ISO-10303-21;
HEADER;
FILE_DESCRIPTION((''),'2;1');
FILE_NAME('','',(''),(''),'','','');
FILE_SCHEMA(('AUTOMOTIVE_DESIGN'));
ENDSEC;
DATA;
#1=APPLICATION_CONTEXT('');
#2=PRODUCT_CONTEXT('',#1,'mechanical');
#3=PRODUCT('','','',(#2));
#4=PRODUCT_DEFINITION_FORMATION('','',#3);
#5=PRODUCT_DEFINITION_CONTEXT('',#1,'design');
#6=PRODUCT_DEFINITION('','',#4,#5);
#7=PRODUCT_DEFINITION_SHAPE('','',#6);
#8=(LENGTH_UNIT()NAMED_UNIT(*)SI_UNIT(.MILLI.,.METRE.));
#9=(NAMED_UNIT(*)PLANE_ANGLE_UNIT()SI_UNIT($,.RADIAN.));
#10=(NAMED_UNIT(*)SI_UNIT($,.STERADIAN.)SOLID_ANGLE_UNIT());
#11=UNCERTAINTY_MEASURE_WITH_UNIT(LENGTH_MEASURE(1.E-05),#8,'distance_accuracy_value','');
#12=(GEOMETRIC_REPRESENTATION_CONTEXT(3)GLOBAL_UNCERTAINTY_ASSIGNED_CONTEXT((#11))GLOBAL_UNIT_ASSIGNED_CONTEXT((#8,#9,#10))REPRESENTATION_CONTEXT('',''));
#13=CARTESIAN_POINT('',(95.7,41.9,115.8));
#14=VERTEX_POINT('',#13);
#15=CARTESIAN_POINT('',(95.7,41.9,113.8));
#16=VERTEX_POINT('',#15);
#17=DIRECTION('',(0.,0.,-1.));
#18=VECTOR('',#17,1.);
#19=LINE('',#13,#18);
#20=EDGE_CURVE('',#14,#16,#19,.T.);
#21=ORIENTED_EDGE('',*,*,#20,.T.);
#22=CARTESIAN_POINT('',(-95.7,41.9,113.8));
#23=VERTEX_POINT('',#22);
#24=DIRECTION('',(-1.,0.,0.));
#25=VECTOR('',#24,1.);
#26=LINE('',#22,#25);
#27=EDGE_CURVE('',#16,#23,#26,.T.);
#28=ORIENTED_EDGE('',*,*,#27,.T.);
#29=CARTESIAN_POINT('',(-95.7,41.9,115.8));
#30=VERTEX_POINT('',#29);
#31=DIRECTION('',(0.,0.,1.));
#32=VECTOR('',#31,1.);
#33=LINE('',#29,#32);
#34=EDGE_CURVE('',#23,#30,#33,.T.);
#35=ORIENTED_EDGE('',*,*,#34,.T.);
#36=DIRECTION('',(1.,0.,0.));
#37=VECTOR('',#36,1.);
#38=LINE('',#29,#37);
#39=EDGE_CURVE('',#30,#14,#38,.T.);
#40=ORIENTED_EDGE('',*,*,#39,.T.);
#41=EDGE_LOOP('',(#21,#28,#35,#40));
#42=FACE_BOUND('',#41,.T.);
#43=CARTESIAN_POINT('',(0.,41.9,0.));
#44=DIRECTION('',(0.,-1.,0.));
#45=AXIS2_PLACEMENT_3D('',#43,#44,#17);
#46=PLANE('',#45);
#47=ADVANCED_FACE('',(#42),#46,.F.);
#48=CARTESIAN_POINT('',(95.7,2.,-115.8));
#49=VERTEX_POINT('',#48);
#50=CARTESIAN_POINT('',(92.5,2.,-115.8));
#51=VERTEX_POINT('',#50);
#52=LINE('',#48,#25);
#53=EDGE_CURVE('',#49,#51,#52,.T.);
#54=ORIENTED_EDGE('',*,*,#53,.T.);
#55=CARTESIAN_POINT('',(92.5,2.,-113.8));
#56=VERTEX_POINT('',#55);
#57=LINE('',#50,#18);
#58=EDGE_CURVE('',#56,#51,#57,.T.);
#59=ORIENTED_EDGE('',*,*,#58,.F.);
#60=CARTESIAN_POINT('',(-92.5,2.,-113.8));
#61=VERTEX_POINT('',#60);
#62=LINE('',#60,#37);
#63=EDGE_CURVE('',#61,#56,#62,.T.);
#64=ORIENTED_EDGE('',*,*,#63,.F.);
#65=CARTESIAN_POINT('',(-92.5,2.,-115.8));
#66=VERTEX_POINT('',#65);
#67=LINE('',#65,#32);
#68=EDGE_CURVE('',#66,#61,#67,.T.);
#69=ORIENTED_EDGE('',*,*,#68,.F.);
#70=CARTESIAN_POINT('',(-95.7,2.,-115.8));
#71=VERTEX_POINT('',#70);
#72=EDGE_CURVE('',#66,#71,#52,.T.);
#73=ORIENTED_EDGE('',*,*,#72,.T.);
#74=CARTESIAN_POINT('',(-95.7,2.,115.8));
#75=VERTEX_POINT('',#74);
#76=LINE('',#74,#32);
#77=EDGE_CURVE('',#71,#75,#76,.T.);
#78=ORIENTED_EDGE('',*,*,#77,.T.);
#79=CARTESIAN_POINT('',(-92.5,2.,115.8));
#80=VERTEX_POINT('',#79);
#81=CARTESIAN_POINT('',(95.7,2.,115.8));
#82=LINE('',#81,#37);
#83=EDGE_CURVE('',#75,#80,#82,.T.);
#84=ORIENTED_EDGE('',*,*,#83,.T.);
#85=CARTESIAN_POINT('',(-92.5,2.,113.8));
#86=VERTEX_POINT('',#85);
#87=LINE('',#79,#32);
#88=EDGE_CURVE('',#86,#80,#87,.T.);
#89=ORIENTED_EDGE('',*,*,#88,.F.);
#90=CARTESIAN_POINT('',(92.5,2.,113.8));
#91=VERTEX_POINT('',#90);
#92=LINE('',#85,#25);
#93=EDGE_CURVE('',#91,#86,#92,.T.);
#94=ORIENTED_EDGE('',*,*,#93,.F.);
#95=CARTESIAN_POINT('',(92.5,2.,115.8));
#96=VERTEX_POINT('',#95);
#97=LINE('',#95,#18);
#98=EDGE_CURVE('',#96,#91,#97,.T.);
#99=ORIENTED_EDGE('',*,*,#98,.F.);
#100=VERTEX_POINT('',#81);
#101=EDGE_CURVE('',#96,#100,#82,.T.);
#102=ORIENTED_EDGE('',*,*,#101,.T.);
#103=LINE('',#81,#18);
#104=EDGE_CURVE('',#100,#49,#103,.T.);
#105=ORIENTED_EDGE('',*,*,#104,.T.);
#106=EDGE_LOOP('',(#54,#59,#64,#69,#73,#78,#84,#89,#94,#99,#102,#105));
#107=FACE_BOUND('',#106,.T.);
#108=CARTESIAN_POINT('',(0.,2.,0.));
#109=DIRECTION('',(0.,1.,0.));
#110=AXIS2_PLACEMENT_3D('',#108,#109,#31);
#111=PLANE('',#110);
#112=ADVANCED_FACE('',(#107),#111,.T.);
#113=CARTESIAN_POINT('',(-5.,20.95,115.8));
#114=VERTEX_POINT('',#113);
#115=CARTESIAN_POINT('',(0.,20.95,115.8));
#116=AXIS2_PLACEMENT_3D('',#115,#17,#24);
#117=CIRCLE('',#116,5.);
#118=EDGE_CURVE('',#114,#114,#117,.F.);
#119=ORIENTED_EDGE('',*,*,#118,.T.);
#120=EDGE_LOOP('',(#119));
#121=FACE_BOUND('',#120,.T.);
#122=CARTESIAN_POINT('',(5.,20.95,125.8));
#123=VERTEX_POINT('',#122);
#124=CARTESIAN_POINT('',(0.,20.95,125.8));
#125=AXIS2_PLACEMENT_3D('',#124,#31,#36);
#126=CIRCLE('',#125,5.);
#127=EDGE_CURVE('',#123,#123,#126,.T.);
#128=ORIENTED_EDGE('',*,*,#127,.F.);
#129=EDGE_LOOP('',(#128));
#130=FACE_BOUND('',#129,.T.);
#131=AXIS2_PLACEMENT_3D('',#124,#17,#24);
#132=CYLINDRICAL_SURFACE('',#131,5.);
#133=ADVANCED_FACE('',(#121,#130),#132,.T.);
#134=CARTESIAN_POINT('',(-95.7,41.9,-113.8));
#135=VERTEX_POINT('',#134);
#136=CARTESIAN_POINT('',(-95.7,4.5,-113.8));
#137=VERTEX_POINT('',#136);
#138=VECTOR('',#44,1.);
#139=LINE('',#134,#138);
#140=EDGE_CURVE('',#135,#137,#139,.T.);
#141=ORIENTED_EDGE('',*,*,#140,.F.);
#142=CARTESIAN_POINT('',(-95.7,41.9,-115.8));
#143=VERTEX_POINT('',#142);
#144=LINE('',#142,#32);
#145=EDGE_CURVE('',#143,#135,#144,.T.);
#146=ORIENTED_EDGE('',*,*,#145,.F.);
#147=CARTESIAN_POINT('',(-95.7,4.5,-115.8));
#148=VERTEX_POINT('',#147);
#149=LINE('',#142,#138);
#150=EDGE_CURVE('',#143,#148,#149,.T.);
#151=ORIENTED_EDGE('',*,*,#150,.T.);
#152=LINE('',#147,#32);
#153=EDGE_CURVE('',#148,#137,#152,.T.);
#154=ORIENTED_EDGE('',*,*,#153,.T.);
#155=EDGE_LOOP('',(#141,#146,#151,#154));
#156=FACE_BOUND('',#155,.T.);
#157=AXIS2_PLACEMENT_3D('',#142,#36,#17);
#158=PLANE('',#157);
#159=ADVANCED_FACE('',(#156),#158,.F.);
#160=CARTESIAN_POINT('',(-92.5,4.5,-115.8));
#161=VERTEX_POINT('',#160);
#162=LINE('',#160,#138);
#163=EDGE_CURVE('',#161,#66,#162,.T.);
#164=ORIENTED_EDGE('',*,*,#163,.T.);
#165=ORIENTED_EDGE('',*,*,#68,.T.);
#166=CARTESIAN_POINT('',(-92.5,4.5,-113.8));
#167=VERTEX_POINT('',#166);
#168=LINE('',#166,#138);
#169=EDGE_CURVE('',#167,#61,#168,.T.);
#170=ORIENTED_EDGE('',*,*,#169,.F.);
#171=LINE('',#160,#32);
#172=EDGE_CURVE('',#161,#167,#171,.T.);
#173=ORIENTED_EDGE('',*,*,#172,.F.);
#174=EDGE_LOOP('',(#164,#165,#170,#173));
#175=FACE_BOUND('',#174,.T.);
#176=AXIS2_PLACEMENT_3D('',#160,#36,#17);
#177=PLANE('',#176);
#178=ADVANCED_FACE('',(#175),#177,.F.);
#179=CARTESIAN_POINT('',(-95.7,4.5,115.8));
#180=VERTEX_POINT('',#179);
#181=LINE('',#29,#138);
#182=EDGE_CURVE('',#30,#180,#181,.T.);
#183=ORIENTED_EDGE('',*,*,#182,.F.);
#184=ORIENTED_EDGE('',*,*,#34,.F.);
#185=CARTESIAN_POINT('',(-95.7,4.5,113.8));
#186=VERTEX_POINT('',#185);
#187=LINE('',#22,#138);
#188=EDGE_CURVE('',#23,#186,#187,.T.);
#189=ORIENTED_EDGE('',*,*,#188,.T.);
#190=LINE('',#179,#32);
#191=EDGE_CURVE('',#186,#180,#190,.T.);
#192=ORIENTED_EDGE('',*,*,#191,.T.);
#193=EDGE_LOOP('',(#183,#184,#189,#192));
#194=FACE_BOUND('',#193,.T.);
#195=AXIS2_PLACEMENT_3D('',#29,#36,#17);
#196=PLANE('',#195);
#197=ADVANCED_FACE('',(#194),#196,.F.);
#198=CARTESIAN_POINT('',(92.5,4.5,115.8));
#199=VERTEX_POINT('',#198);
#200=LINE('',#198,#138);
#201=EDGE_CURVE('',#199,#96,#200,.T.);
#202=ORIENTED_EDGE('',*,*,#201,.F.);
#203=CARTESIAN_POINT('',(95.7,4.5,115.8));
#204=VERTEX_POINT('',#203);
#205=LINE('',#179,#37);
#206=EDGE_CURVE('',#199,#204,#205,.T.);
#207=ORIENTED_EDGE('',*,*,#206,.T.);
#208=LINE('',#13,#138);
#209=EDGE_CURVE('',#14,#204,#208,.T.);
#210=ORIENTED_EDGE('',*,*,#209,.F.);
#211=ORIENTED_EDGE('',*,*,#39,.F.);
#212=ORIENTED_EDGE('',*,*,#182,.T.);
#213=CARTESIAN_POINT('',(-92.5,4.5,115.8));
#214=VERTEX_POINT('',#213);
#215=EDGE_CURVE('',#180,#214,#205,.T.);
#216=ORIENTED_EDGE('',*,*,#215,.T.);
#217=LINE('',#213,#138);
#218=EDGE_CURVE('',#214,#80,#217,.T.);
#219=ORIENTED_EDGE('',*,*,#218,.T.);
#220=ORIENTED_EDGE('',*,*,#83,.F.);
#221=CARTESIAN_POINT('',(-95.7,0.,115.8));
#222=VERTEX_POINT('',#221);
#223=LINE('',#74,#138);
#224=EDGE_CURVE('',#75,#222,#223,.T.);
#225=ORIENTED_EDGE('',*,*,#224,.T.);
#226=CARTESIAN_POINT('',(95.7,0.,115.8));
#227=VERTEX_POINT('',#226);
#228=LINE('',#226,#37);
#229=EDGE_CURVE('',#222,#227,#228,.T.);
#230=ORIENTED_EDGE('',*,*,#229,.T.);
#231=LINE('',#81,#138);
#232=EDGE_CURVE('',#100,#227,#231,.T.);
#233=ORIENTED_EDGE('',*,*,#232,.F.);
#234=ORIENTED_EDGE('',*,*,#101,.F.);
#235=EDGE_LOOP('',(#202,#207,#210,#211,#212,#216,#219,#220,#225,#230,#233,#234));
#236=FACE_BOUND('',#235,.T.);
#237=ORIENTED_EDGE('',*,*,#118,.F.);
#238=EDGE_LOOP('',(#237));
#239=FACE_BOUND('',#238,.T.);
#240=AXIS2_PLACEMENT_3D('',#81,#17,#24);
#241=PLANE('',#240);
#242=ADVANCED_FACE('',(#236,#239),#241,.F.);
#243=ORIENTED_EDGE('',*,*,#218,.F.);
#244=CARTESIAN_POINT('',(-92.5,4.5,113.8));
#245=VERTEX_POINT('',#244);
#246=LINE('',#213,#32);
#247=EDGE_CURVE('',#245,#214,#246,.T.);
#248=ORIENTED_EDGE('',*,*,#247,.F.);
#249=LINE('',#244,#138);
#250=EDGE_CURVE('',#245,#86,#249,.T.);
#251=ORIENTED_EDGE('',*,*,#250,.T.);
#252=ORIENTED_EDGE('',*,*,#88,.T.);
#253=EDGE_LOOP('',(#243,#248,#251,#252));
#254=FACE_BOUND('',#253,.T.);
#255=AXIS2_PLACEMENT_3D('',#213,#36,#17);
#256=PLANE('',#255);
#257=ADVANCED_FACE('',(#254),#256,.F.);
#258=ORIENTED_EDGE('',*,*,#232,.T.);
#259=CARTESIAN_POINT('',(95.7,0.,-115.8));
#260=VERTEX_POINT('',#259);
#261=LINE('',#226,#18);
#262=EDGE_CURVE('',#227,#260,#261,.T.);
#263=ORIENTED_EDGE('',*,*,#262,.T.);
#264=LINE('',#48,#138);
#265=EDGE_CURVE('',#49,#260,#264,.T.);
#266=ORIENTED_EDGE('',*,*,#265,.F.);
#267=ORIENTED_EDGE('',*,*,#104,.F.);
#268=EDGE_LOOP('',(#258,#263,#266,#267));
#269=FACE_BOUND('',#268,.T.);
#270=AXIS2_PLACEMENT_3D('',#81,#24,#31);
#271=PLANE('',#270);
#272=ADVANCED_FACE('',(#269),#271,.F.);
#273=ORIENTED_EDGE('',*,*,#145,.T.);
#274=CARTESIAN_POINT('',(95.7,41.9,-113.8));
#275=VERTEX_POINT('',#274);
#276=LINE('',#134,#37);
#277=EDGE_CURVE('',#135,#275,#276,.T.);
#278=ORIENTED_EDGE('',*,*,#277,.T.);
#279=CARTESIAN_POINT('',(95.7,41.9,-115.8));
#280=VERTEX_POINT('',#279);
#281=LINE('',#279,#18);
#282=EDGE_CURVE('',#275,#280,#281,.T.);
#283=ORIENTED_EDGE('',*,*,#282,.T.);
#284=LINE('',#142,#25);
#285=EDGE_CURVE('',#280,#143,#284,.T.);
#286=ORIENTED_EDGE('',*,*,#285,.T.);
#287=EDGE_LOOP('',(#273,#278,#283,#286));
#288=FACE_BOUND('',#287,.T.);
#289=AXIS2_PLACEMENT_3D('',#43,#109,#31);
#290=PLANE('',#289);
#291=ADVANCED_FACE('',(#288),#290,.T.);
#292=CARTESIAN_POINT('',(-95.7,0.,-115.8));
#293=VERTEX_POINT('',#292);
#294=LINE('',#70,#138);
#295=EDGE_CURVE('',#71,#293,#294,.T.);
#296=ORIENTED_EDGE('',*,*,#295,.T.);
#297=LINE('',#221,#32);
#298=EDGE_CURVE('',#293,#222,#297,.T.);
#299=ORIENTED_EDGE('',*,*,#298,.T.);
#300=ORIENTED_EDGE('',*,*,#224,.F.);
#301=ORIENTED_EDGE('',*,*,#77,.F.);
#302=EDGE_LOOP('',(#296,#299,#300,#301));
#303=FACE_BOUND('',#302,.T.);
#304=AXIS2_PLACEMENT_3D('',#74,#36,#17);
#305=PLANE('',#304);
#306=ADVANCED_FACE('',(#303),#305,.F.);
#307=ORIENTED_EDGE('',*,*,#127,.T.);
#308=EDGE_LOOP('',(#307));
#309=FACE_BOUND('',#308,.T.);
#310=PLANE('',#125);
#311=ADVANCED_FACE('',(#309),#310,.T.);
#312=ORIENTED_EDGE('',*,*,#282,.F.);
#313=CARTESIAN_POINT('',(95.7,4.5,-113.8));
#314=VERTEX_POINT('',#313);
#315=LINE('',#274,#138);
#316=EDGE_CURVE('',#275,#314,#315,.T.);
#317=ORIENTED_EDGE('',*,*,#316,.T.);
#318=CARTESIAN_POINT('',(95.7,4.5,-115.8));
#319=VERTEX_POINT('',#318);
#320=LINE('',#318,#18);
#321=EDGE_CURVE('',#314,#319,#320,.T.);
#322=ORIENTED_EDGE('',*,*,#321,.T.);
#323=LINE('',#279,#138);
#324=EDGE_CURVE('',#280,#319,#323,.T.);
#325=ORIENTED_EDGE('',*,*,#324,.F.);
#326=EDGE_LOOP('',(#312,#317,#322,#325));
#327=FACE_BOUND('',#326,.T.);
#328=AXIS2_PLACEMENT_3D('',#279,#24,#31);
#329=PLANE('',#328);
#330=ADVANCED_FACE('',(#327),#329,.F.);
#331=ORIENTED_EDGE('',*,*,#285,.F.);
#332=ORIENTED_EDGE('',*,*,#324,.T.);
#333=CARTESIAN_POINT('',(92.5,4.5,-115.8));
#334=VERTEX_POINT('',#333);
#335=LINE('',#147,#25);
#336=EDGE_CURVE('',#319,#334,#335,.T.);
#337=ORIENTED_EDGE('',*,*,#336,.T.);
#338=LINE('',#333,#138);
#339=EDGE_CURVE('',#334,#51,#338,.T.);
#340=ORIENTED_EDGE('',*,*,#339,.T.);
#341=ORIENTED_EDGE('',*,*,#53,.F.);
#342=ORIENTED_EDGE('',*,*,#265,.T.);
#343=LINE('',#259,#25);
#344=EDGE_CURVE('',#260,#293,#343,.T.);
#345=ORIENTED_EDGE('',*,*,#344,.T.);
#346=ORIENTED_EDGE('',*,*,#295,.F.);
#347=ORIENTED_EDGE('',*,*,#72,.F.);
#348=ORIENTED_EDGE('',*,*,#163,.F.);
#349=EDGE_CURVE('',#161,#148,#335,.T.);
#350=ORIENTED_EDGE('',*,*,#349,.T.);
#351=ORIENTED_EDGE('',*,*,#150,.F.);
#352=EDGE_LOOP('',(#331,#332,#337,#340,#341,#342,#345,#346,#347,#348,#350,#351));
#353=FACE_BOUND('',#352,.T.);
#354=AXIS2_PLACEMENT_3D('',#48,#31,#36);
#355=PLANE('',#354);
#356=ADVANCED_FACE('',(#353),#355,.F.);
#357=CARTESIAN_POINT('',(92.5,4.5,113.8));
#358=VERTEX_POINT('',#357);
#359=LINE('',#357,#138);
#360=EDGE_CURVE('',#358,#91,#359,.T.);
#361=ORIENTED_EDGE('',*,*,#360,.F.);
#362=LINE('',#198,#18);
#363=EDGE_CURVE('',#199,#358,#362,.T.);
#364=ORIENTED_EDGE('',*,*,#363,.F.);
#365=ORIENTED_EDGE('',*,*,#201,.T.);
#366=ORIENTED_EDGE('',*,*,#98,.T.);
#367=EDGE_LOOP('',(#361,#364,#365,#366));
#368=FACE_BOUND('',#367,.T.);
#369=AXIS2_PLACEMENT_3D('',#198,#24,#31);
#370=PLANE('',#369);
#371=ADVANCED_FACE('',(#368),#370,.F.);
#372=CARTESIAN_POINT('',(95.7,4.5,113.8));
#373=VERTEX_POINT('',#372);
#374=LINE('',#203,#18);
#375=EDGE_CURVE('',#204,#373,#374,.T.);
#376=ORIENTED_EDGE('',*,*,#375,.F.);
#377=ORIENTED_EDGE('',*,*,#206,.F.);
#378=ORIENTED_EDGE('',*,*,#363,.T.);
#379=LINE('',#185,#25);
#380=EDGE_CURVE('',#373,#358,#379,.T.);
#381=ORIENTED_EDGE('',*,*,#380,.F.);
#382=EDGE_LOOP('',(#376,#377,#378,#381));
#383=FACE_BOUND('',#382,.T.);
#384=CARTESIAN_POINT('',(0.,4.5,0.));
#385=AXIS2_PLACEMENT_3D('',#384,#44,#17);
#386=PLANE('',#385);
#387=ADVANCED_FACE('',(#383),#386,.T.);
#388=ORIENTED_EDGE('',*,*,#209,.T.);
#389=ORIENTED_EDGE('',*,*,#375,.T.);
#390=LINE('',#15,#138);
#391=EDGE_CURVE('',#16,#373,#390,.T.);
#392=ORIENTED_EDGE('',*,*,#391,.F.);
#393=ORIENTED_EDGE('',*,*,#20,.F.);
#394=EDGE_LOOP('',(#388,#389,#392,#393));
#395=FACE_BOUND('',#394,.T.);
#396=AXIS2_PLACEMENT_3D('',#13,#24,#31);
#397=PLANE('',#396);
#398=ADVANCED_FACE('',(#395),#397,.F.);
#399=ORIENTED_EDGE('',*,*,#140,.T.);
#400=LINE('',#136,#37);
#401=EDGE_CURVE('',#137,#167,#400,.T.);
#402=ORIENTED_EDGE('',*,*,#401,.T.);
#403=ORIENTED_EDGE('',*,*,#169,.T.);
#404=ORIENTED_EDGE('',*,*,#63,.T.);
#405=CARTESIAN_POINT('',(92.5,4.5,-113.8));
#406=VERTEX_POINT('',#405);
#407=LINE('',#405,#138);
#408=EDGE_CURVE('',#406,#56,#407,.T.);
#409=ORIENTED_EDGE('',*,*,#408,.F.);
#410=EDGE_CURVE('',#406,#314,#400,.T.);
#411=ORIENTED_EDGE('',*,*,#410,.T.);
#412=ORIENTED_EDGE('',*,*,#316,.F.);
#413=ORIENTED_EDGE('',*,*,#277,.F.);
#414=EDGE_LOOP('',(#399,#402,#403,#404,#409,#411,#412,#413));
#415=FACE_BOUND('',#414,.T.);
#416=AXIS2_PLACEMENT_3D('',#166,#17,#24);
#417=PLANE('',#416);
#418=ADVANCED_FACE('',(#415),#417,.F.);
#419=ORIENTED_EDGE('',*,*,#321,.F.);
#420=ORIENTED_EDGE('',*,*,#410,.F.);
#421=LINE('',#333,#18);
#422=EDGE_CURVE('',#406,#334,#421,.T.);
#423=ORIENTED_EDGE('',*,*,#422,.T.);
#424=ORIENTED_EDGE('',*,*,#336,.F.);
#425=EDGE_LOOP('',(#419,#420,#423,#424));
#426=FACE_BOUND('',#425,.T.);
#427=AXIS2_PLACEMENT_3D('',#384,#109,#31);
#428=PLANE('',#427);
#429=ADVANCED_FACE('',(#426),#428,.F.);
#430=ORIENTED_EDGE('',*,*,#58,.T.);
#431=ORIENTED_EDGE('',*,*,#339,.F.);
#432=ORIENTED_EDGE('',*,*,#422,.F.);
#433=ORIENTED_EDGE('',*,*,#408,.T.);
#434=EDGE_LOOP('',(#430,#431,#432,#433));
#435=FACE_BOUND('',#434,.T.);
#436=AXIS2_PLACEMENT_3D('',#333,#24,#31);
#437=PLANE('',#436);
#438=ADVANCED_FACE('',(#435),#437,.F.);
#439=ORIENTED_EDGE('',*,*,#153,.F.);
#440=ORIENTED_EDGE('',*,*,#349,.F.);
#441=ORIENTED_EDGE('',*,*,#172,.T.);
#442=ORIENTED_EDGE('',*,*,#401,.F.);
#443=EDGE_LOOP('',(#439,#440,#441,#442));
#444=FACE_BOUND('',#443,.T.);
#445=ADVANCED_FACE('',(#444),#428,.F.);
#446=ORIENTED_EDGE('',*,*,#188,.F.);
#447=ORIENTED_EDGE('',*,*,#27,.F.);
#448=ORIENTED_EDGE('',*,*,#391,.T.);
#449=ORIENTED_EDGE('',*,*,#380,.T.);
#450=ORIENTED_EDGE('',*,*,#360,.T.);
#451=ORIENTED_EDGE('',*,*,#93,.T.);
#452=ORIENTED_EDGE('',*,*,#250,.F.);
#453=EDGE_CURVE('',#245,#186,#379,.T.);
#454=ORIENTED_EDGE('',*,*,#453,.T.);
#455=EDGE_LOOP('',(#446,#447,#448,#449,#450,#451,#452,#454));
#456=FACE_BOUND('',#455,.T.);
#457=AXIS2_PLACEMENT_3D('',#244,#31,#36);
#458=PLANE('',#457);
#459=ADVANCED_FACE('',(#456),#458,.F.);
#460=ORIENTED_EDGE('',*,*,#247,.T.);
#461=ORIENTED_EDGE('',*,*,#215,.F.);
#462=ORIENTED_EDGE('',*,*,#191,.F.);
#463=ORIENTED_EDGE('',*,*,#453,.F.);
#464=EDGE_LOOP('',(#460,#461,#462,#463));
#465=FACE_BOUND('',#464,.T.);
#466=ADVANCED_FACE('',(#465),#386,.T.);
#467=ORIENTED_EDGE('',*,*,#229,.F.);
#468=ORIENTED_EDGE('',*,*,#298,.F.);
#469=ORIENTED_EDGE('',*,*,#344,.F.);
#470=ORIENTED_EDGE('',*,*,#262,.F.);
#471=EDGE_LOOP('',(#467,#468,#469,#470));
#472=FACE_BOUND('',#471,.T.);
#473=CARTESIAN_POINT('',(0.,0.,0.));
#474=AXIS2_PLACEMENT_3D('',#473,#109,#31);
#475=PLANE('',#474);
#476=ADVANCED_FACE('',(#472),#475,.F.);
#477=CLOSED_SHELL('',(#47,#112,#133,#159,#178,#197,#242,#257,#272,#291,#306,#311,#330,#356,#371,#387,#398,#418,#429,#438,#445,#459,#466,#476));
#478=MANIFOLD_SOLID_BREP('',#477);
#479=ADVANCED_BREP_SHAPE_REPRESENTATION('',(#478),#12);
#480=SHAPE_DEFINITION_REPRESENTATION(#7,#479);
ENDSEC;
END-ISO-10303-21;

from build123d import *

# Parameters (mm, degrees)
SKETCH_2_W      = 191.4
SKETCH_2_H      = 231.6
EXTRUDE_1_DEPTH = 2
SKETCH_3_W      = 185
SKETCH_3_H      = 2
EXTRUDE_2_DEPTH = 2.5
SKETCH_4_W      = 191.4
SKETCH_4_H      = 2
EXTRUDE_3_DEPTH = 37.4
SKETCH_7_R      = 5
EXTRUDE_5_DEPTH = 10


with BuildPart() as part:
    # 草图2 → 凸台-拉伸1 (new body)
    with BuildSketch(Plane(origin=(0, 0, 0), x_dir=(1, 0, 0), z_dir=(0, 1, 0))):
        Rectangle(SKETCH_2_W, SKETCH_2_H)
    extrude(amount=EXTRUDE_1_DEPTH)

    # 草图3 → 凸台-拉伸2 (add)
    with BuildSketch(Plane(origin=(0, 2, 0), x_dir=(1, 0, 0), z_dir=(0, 1, 0))):
        with Locations((0, 114.8)):
            Rectangle(SKETCH_3_W, SKETCH_3_H)
        with Locations((0, -114.8)):
            Rectangle(SKETCH_3_W, SKETCH_3_H)
    extrude(amount=EXTRUDE_2_DEPTH)

    # 草图4 → 凸台-拉伸3 (add)
    with BuildSketch(Plane(origin=(0, 4.5, 0), x_dir=(1, 0, 0), z_dir=(0, 1, 0))):
        with Locations((0, 114.8)):
            Rectangle(SKETCH_4_W, SKETCH_4_H)
        with Locations((0, -114.8)):
            Rectangle(SKETCH_4_W, SKETCH_4_H)
    extrude(amount=EXTRUDE_3_DEPTH)

    # 草图7 → 凸台-拉伸5 (add)
    with BuildSketch(Plane.XY.offset(115.8)):
        with Locations(Location((0, 20.95, 0), (0, 0, 180))):
            Circle(SKETCH_7_R)
    extrude(amount=EXTRUDE_5_DEPTH)


solid = part.part
